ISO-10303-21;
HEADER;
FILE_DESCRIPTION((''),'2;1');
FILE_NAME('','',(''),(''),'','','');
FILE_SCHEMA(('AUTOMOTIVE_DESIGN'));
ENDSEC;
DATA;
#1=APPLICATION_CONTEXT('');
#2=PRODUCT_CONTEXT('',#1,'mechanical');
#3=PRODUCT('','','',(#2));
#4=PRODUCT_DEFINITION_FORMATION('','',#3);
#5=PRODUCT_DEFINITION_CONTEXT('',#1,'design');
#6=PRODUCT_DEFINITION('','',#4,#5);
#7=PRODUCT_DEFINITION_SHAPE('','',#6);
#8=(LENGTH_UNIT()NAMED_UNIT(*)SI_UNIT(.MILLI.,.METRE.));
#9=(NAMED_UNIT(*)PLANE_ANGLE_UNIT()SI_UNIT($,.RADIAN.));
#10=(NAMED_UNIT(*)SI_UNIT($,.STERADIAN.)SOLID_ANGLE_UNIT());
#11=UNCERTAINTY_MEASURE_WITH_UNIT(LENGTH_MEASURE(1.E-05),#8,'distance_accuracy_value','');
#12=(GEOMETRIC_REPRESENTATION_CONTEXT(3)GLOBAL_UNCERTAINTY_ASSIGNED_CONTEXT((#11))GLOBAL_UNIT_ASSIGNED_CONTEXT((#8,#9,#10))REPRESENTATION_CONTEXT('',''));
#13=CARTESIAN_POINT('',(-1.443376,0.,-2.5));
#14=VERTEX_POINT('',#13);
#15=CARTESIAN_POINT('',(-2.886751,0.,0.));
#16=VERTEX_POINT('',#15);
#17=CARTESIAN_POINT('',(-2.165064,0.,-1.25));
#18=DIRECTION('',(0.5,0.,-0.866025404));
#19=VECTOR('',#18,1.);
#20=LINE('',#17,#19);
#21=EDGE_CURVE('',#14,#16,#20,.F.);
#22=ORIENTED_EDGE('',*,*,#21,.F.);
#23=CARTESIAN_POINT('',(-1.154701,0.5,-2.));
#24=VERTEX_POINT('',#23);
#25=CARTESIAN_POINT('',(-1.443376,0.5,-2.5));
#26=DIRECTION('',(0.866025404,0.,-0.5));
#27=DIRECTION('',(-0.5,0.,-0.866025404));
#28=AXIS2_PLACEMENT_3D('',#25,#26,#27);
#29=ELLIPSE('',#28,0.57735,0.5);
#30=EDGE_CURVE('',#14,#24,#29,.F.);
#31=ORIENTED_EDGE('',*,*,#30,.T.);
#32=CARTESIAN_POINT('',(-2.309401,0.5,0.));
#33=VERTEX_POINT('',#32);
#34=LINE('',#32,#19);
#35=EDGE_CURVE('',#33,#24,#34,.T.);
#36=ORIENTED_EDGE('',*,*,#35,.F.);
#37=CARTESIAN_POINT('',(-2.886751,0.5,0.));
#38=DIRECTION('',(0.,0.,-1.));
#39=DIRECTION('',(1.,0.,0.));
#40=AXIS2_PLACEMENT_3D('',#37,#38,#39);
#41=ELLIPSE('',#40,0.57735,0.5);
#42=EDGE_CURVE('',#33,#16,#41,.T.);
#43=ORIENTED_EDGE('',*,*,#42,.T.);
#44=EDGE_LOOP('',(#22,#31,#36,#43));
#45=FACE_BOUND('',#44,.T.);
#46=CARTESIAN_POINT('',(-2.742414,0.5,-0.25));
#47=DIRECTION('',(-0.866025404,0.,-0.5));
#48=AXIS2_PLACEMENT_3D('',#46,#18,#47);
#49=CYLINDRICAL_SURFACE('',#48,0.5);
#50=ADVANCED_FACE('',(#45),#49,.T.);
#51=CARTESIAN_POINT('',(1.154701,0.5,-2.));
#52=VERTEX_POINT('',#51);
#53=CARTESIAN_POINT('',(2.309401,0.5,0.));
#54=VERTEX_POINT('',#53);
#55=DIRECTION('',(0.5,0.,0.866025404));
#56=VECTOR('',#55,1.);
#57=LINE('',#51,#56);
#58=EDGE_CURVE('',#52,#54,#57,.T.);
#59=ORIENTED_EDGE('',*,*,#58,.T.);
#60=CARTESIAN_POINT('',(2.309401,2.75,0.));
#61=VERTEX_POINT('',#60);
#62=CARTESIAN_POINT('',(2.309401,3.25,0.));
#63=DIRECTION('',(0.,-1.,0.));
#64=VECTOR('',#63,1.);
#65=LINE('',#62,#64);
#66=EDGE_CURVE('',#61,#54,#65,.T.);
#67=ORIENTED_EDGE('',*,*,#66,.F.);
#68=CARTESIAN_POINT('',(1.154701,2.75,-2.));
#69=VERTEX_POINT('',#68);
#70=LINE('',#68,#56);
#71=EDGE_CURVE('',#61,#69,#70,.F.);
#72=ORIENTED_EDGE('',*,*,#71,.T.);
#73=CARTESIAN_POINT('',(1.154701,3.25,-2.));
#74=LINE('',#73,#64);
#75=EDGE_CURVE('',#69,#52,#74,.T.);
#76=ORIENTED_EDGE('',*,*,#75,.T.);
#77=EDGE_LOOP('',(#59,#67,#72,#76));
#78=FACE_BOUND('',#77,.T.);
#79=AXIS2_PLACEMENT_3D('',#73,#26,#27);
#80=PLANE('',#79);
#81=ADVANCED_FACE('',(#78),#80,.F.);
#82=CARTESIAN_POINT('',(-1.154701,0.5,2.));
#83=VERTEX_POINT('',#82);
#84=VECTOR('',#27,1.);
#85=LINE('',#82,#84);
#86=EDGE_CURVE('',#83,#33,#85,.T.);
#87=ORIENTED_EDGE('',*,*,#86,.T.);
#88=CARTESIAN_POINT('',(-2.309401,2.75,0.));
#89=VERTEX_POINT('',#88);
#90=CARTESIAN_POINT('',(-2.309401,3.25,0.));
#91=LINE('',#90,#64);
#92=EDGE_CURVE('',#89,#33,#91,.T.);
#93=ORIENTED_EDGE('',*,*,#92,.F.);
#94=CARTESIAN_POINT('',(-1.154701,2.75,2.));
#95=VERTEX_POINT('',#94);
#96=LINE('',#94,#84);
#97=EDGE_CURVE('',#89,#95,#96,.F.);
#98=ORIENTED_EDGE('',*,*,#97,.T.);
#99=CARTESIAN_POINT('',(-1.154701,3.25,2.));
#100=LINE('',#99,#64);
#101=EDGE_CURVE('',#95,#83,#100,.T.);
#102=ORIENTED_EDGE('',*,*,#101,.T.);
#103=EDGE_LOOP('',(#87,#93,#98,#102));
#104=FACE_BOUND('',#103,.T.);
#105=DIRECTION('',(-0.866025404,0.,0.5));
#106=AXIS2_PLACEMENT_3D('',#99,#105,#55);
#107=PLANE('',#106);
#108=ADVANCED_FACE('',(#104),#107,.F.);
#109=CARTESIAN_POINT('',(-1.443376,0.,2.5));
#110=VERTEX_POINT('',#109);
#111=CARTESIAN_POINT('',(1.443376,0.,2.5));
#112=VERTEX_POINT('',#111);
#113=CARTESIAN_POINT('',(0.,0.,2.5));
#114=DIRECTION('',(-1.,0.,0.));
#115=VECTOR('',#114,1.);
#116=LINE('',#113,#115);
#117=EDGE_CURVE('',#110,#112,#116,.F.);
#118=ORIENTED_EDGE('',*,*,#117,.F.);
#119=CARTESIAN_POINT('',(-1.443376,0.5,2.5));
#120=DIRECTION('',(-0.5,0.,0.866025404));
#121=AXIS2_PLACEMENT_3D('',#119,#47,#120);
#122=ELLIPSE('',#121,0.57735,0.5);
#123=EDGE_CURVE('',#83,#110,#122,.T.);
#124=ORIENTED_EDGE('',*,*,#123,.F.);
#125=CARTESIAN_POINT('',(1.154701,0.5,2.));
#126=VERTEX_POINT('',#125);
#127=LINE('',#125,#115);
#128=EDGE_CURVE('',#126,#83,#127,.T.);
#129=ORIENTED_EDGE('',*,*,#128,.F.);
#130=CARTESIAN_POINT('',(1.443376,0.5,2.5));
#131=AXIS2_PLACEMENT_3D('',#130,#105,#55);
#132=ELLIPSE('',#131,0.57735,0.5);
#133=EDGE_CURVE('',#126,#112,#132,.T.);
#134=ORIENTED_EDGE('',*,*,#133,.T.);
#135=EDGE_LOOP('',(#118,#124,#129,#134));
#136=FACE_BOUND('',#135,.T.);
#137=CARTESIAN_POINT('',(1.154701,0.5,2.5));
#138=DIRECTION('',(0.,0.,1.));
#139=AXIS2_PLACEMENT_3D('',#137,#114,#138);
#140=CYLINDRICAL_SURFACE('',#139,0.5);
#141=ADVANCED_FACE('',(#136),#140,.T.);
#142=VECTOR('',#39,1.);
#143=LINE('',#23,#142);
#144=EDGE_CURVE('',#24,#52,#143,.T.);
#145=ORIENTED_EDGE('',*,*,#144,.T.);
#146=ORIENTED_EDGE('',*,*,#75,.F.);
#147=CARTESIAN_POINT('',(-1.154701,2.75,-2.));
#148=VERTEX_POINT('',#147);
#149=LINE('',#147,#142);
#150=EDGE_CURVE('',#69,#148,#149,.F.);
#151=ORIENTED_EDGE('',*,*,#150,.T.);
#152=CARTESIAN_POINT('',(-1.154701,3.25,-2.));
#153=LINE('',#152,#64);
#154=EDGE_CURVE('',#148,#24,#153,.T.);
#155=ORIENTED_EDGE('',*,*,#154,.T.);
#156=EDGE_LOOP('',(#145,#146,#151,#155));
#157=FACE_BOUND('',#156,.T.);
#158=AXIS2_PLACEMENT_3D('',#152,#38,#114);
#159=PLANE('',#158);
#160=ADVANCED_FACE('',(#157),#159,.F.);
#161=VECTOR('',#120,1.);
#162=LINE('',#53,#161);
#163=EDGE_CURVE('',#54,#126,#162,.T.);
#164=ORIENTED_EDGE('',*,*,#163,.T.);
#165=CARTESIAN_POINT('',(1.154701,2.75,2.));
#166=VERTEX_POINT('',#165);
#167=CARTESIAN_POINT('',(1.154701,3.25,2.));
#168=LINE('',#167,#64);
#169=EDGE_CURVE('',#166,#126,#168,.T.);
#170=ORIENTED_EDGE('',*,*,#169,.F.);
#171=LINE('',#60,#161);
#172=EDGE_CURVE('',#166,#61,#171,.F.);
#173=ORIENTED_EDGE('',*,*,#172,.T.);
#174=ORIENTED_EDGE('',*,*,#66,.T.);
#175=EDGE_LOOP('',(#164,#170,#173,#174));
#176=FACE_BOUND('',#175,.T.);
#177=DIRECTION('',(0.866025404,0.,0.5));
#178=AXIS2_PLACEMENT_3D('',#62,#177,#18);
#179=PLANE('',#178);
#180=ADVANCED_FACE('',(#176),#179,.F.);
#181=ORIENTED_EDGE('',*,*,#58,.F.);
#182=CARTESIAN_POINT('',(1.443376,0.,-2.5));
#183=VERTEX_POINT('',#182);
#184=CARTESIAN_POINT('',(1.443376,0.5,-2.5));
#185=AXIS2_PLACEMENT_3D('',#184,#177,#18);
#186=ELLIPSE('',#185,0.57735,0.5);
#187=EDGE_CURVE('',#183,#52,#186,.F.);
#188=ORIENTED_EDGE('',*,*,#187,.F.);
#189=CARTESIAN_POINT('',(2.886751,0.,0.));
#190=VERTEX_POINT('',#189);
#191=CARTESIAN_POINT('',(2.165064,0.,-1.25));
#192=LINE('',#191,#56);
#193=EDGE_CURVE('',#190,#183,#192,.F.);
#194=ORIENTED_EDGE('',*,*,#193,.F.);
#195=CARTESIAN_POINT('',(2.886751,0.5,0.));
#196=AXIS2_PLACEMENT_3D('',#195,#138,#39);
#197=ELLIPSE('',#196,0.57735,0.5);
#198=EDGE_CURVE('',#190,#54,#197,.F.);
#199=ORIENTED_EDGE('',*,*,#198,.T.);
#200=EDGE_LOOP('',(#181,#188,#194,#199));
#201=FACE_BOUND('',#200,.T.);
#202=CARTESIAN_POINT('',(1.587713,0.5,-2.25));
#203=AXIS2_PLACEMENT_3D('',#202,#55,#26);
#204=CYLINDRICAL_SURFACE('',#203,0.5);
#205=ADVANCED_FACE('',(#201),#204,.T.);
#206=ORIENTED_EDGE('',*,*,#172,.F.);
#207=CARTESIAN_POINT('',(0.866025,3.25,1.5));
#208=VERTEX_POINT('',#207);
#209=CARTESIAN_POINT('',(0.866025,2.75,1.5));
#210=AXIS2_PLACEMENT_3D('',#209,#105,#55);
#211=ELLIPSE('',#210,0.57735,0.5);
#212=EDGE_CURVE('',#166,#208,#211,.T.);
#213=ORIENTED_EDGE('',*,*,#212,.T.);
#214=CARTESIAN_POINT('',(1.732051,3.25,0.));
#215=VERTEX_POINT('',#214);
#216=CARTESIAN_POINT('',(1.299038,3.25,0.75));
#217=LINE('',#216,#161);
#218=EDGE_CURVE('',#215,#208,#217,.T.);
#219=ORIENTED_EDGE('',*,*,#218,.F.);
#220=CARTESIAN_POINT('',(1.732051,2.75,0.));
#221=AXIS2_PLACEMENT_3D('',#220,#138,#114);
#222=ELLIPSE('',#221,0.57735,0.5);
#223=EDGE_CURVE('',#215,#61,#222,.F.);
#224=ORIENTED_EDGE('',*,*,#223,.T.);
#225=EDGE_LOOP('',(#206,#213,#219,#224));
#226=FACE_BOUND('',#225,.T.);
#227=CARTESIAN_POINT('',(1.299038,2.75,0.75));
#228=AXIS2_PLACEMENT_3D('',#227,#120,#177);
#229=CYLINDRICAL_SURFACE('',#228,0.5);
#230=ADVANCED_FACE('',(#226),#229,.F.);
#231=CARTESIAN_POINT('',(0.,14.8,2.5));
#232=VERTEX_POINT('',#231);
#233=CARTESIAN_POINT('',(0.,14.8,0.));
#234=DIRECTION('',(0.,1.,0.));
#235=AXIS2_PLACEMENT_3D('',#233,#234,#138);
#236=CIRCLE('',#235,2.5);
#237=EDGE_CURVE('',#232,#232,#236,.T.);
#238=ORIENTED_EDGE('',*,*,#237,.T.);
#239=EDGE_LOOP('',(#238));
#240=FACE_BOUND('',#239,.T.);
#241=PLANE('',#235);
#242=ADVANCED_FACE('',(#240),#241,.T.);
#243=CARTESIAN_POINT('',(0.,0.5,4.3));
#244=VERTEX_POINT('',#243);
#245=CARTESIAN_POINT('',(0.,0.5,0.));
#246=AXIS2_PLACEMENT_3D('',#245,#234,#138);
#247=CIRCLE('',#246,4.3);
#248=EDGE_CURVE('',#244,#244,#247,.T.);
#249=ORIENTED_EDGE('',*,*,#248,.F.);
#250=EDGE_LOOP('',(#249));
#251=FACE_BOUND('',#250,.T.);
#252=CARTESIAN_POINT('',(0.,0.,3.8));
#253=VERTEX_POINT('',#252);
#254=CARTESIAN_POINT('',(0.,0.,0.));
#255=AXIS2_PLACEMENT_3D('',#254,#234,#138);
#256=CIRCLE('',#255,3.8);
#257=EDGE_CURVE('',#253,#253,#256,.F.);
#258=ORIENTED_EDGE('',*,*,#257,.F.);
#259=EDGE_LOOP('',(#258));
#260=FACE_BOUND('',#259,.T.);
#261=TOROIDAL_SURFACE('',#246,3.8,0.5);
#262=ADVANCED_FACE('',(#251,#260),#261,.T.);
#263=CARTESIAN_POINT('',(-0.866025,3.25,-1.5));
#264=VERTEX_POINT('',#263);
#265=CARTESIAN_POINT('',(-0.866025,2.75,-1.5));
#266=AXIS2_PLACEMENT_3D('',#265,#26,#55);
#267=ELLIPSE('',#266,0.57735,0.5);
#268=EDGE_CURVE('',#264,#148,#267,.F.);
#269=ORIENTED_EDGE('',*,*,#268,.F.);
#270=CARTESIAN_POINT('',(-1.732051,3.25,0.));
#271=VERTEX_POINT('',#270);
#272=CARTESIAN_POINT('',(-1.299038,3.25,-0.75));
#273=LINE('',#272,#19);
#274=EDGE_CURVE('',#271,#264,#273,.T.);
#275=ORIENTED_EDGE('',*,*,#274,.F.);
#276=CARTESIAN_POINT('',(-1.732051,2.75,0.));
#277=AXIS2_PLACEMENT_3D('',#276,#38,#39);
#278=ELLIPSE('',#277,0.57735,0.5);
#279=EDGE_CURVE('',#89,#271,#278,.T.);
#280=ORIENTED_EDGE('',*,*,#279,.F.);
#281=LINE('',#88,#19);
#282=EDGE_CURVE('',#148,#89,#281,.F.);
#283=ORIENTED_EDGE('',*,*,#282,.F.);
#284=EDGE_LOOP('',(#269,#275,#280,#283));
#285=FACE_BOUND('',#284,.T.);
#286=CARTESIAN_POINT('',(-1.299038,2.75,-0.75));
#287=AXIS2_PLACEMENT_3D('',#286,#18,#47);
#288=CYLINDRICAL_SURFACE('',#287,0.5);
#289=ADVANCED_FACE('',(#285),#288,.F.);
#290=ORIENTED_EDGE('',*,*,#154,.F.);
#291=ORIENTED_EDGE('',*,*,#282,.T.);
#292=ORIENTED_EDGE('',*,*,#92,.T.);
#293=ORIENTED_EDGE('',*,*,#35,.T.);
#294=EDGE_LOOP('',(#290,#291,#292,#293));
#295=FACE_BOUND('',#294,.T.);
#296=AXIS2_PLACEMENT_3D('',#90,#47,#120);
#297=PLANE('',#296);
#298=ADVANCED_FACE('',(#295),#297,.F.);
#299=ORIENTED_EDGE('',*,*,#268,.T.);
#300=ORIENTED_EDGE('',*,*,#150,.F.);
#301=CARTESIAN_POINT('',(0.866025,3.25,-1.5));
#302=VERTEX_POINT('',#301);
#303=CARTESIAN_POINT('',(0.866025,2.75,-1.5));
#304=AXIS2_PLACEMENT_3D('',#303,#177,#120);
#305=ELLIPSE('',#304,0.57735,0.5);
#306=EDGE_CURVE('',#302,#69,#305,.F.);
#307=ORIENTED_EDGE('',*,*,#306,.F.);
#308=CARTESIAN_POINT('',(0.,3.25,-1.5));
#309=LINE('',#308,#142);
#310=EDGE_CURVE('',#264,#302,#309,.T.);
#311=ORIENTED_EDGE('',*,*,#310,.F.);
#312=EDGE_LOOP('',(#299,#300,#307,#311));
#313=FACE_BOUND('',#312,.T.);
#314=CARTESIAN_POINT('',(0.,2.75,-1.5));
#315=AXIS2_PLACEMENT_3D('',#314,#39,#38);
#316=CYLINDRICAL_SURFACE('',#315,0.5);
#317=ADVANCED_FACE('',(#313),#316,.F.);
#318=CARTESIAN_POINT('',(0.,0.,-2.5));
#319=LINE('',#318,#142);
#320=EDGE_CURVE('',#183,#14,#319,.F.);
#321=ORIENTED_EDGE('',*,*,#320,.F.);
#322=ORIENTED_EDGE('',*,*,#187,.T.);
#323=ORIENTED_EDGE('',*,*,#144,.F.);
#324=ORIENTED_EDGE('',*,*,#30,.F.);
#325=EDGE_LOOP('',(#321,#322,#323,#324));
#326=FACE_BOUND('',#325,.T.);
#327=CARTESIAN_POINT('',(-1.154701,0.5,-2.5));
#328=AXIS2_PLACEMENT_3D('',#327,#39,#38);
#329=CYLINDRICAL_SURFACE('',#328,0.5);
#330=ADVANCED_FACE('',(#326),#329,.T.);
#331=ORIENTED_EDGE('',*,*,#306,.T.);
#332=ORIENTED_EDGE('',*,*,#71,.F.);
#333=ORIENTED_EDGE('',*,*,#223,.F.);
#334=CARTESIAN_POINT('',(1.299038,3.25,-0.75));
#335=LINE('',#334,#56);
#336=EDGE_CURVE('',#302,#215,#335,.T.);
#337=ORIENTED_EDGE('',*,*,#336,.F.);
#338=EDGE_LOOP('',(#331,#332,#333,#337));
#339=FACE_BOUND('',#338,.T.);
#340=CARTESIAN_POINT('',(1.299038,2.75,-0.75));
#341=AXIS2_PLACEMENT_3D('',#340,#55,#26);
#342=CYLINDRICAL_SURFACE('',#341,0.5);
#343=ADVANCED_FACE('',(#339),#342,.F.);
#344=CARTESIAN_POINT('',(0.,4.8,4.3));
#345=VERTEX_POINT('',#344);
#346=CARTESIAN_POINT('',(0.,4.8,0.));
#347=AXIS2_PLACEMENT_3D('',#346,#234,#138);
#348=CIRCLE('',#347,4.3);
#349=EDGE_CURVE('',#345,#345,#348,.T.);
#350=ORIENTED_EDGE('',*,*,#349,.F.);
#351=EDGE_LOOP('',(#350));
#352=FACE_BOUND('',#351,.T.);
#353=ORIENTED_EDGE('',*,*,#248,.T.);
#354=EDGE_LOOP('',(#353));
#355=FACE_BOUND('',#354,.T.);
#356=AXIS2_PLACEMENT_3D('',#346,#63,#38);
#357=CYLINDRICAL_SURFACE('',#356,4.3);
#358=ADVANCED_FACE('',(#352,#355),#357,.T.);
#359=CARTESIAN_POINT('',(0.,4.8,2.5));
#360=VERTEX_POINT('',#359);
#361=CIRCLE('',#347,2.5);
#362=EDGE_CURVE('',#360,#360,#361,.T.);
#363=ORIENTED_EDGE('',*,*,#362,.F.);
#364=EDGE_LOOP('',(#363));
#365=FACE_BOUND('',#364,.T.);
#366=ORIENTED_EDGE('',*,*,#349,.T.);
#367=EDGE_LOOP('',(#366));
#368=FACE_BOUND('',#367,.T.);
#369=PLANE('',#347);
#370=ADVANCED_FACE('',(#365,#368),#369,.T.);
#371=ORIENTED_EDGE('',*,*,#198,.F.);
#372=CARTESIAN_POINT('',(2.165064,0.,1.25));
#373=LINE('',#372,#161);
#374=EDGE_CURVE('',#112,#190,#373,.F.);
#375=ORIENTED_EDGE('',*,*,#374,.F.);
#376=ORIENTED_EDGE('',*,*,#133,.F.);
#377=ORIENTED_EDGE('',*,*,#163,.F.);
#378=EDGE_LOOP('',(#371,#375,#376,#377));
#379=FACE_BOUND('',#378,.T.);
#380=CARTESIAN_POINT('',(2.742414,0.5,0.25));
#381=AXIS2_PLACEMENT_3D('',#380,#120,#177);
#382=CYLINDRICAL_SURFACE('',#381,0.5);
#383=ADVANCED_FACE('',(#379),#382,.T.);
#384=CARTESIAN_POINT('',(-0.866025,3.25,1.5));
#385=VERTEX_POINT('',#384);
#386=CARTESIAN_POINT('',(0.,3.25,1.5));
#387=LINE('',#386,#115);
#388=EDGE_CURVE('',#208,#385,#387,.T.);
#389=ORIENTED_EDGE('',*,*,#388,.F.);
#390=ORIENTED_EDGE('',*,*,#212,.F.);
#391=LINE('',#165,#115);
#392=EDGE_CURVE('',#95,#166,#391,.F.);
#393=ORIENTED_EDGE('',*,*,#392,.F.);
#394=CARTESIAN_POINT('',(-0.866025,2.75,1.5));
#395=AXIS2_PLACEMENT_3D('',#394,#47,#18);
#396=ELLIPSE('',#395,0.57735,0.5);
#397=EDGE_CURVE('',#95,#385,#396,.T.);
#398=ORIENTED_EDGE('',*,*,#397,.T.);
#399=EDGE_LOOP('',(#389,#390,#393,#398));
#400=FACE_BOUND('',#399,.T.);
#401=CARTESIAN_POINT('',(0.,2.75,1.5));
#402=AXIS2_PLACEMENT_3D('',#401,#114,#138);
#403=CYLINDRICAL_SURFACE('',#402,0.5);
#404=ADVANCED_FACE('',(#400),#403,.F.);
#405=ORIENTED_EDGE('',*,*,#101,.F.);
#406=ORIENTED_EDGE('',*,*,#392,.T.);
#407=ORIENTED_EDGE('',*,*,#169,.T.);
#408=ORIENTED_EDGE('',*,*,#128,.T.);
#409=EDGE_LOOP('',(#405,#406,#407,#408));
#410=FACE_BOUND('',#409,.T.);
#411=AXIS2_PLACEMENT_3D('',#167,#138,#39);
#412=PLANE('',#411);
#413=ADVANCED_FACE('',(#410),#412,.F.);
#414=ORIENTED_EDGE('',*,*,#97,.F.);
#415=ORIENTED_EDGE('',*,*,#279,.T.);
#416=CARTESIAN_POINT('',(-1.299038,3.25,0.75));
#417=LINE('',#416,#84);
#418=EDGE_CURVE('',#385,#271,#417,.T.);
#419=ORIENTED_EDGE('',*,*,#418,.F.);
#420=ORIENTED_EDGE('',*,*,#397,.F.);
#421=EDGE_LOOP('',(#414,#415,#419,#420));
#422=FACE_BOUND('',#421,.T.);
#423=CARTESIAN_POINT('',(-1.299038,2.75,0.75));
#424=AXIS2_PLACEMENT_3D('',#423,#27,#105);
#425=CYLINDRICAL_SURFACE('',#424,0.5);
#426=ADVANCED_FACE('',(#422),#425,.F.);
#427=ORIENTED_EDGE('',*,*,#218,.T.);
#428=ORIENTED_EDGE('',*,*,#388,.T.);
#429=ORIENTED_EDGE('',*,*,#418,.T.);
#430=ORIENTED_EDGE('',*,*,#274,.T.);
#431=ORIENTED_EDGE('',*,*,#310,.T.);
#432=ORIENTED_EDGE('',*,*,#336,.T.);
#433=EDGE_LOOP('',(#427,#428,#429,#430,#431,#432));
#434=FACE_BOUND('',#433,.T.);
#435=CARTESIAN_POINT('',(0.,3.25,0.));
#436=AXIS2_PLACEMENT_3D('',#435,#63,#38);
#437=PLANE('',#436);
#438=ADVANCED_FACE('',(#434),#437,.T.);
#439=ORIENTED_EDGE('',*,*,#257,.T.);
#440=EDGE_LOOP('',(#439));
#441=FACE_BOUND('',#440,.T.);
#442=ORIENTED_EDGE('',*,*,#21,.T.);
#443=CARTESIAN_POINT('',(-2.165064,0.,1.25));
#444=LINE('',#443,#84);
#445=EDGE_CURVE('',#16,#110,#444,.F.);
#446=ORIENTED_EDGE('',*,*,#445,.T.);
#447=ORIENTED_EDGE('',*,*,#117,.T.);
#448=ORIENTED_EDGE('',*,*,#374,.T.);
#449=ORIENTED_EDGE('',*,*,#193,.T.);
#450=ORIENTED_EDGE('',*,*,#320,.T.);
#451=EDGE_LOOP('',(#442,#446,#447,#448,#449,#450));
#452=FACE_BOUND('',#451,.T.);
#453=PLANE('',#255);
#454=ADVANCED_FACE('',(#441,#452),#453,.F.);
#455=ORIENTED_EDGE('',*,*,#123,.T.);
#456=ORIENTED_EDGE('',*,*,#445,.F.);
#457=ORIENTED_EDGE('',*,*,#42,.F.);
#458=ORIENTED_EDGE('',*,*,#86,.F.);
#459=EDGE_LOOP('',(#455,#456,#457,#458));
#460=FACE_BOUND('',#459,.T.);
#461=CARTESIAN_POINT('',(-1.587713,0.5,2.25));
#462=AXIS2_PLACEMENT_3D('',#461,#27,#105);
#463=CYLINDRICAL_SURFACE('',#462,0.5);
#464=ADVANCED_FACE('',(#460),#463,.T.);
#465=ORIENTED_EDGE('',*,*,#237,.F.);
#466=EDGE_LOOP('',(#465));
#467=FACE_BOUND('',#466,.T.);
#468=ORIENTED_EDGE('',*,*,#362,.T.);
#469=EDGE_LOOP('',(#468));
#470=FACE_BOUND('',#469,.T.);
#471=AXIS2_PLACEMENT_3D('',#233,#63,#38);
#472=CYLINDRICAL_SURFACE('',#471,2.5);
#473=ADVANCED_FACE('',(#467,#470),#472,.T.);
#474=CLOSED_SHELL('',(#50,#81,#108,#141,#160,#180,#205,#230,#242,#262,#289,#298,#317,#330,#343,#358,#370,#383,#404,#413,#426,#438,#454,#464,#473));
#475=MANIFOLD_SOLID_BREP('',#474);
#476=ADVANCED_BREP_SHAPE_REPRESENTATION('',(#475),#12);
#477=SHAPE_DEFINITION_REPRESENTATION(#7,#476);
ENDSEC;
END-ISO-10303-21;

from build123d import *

# Parameters (mm, degrees)
SKETCH2_R           = 4.3
BOSS_EXTRUDE1_DEPTH = 4.8
SKETCH3_R           = 2.5
BOSS_EXTRUDE2_DEPTH = 10
CUT_EXTRUDE1_DEPTH  = 3.25
FILLET1_R           = 0.5


with BuildPart() as part:
    # Sketch2 → Boss-Extrude1 (new body)
    with BuildSketch(Plane(origin=(0, 0, 0), x_dir=(1, 0, 0), z_dir=(0, 1, 0))):
        Circle(SKETCH2_R)
    extrude(amount=BOSS_EXTRUDE1_DEPTH)

    # Sketch3 → Boss-Extrude2 (add)
    with BuildSketch(Plane(origin=(0, 4.8, 0), x_dir=(1, 0, 0), z_dir=(0, 1, 0))):
        Circle(SKETCH3_R)
    extrude(amount=BOSS_EXTRUDE2_DEPTH)

    # Sketch5 → Cut-Extrude1 (cut)
    with BuildSketch(Plane.XZ):
        Polygon((-1.154700538, 2), (-2.309401077, 0), (-1.154700538, -2), (1.154700538, -2), (2.309401077, 0), (1.154700538, 2), align=None)
    extrude(amount=-CUT_EXTRUDE1_DEPTH, mode=Mode.SUBTRACT)

    # Fillet1
    fillet1_edges = [part.edges().sort_by_distance(p)[0] for p in [
        (0, 3.25, 2),
        (1.732050808, 3.25, 1),
        (1.732050808, 3.25, -1),
        (0, 3.25, -2),
        (-1.732050808, 3.25, -1),
        (-1.732050808, 3.25, 1),
        (0, 0, 2),
        (-1.732050808, 0, 1),
        (-1.732050808, 0, -1),
        (0, 0, -2),
        (1.732050808, 0, -1),
        (1.732050808, 0, 1),
        (-4.3, 0, 0),
    ]]
    fillet(fillet1_edges, radius=FILLET1_R)


solid = part.part
